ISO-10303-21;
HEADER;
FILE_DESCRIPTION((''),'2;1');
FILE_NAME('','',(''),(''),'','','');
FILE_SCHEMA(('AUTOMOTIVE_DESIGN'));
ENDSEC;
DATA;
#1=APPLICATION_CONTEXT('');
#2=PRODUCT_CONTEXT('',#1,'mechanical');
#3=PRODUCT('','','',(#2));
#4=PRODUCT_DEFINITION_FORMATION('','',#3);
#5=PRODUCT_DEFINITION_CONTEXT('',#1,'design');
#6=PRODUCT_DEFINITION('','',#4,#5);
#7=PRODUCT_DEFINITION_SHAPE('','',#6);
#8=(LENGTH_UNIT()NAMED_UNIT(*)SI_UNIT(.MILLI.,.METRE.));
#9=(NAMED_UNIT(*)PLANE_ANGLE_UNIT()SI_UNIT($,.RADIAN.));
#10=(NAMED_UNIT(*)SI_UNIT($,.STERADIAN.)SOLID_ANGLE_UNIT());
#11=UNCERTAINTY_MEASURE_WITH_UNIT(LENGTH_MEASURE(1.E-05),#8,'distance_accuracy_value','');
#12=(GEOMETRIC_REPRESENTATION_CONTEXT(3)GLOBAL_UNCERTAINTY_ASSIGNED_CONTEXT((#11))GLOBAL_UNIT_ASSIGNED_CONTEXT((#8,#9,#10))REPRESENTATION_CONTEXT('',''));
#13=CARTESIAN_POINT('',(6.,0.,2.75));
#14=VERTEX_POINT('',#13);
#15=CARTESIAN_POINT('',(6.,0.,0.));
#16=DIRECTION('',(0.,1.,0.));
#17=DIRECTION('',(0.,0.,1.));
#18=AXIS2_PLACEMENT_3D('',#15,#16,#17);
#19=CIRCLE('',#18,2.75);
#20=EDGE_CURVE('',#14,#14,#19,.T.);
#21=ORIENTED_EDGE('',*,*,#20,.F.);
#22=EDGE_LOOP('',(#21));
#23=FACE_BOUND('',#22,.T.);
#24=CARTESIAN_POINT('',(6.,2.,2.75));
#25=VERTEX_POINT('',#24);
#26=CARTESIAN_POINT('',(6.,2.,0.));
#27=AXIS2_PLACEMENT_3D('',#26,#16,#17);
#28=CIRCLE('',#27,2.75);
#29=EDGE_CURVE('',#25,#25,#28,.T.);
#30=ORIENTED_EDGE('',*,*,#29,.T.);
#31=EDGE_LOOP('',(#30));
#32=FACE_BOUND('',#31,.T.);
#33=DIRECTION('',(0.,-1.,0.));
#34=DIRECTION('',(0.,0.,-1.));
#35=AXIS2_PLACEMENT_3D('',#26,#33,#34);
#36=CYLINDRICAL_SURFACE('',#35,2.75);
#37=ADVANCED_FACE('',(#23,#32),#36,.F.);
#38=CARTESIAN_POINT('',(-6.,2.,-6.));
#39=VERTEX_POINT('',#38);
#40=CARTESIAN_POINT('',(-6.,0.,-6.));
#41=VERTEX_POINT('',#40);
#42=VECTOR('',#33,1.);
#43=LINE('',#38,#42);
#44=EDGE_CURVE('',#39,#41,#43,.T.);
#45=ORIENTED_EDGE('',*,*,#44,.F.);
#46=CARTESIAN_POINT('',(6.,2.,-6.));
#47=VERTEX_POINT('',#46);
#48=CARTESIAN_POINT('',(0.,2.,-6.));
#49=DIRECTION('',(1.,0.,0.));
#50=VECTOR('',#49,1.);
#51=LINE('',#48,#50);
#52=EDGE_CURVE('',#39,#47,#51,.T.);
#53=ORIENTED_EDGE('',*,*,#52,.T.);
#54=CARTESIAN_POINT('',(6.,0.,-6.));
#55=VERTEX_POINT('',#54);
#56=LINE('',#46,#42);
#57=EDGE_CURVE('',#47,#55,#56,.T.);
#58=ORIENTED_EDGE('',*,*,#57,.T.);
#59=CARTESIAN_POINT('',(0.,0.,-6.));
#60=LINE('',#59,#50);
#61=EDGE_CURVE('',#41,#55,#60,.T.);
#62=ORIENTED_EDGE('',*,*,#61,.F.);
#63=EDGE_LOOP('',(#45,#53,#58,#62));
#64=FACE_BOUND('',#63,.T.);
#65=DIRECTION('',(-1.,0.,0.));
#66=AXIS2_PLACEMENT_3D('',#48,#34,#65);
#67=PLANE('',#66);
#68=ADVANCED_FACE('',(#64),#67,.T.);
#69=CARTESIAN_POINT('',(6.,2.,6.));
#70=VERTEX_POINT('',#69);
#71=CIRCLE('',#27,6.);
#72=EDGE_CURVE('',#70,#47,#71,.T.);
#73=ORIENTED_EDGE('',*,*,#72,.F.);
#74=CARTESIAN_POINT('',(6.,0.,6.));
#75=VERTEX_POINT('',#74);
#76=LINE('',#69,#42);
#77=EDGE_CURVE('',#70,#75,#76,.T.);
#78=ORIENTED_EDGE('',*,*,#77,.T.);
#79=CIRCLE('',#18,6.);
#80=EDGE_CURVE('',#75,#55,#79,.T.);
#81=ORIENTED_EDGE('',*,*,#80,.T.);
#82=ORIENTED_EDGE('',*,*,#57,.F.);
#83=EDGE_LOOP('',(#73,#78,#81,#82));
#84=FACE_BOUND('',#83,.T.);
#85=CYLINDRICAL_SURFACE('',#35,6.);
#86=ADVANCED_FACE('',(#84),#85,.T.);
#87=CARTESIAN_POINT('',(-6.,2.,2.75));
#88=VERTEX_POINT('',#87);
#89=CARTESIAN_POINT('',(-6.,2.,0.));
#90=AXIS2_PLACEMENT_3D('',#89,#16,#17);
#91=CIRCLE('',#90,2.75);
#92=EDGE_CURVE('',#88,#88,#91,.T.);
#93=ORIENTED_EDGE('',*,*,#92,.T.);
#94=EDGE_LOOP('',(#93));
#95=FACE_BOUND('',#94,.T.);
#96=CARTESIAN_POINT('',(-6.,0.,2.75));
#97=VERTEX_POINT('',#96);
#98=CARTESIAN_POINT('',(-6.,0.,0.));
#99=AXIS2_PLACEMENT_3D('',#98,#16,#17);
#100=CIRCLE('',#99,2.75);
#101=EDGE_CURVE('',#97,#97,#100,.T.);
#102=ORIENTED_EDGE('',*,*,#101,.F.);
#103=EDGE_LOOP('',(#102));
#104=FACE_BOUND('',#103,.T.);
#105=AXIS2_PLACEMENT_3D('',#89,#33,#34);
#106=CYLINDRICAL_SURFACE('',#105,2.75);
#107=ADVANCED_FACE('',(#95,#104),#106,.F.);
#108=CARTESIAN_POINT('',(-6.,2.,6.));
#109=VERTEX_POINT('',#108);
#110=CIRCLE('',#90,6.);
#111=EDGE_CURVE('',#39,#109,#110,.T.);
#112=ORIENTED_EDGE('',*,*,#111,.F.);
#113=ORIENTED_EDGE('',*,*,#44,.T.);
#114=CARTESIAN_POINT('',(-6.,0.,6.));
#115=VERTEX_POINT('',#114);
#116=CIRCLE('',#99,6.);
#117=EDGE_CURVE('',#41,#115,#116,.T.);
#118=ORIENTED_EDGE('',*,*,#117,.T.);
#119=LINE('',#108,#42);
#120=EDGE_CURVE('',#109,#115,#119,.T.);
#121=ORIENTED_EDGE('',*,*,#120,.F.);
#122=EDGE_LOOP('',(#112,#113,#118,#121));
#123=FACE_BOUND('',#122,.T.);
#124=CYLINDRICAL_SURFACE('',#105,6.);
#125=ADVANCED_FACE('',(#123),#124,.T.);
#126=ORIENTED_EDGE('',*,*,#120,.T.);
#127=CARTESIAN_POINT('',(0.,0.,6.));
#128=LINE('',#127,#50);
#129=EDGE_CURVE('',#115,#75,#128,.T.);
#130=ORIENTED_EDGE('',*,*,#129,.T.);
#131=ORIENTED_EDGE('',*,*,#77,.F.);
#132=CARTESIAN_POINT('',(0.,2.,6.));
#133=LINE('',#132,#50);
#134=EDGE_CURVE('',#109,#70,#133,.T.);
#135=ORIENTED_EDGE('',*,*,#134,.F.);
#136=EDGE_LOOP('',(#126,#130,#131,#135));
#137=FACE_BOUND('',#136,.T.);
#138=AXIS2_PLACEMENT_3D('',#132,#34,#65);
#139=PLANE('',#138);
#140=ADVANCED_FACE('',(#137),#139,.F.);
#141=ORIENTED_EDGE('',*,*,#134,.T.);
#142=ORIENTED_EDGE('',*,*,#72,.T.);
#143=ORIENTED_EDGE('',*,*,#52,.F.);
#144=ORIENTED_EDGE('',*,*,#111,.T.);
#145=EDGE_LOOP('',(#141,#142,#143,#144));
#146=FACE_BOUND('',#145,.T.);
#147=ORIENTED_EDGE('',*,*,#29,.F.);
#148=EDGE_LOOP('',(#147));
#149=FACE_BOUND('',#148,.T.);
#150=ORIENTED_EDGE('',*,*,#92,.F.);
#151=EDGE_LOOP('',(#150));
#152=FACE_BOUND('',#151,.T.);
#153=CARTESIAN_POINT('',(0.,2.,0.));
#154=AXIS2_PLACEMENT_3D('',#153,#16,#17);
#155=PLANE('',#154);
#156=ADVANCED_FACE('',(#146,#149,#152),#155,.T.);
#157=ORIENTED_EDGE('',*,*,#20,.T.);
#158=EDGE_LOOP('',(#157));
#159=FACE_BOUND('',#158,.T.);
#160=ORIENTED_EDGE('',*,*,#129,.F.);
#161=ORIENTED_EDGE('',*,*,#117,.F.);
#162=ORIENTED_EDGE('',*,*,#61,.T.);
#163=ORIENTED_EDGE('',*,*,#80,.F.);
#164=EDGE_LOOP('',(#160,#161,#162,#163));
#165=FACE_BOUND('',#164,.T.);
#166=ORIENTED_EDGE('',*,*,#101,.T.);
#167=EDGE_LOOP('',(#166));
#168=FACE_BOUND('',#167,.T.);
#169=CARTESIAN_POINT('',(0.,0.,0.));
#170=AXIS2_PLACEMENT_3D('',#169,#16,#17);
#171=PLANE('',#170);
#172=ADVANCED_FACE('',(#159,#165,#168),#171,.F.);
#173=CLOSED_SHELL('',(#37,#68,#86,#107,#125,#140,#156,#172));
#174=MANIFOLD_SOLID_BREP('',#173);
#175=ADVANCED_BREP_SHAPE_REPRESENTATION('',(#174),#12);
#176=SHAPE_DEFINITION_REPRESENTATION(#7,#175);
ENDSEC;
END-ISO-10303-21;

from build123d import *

# Parameters (mm, degrees)
SKETCH1_R           = 2.75
BOSS_EXTRUDE1_DEPTH = 2


with BuildPart() as part:
    # Sketch1 → Boss-Extrude1 (new body)
    with BuildSketch(Plane(origin=(0, 0, 0), x_dir=(1, 0, 0), z_dir=(0, 1, 0))):
        with BuildLine():
            Line((6, 6), (-6, 6))
            ThreePointArc((-6, 6), (-12, 0), (-6, -6))
            Line((-6, -6), (6, -6))
            ThreePointArc((6, -6), (12, 0), (6, 6))
        make_face()
        with Locations(Location((-6, 0, 0), (0, 0, 270))):
            Circle(SKETCH1_R, mode=Mode.SUBTRACT)
        with Locations(Location((6, 0, 0), (0, 0, 270))):
            Circle(SKETCH1_R, mode=Mode.SUBTRACT)
    extrude(amount=BOSS_EXTRUDE1_DEPTH)


solid = part.part
